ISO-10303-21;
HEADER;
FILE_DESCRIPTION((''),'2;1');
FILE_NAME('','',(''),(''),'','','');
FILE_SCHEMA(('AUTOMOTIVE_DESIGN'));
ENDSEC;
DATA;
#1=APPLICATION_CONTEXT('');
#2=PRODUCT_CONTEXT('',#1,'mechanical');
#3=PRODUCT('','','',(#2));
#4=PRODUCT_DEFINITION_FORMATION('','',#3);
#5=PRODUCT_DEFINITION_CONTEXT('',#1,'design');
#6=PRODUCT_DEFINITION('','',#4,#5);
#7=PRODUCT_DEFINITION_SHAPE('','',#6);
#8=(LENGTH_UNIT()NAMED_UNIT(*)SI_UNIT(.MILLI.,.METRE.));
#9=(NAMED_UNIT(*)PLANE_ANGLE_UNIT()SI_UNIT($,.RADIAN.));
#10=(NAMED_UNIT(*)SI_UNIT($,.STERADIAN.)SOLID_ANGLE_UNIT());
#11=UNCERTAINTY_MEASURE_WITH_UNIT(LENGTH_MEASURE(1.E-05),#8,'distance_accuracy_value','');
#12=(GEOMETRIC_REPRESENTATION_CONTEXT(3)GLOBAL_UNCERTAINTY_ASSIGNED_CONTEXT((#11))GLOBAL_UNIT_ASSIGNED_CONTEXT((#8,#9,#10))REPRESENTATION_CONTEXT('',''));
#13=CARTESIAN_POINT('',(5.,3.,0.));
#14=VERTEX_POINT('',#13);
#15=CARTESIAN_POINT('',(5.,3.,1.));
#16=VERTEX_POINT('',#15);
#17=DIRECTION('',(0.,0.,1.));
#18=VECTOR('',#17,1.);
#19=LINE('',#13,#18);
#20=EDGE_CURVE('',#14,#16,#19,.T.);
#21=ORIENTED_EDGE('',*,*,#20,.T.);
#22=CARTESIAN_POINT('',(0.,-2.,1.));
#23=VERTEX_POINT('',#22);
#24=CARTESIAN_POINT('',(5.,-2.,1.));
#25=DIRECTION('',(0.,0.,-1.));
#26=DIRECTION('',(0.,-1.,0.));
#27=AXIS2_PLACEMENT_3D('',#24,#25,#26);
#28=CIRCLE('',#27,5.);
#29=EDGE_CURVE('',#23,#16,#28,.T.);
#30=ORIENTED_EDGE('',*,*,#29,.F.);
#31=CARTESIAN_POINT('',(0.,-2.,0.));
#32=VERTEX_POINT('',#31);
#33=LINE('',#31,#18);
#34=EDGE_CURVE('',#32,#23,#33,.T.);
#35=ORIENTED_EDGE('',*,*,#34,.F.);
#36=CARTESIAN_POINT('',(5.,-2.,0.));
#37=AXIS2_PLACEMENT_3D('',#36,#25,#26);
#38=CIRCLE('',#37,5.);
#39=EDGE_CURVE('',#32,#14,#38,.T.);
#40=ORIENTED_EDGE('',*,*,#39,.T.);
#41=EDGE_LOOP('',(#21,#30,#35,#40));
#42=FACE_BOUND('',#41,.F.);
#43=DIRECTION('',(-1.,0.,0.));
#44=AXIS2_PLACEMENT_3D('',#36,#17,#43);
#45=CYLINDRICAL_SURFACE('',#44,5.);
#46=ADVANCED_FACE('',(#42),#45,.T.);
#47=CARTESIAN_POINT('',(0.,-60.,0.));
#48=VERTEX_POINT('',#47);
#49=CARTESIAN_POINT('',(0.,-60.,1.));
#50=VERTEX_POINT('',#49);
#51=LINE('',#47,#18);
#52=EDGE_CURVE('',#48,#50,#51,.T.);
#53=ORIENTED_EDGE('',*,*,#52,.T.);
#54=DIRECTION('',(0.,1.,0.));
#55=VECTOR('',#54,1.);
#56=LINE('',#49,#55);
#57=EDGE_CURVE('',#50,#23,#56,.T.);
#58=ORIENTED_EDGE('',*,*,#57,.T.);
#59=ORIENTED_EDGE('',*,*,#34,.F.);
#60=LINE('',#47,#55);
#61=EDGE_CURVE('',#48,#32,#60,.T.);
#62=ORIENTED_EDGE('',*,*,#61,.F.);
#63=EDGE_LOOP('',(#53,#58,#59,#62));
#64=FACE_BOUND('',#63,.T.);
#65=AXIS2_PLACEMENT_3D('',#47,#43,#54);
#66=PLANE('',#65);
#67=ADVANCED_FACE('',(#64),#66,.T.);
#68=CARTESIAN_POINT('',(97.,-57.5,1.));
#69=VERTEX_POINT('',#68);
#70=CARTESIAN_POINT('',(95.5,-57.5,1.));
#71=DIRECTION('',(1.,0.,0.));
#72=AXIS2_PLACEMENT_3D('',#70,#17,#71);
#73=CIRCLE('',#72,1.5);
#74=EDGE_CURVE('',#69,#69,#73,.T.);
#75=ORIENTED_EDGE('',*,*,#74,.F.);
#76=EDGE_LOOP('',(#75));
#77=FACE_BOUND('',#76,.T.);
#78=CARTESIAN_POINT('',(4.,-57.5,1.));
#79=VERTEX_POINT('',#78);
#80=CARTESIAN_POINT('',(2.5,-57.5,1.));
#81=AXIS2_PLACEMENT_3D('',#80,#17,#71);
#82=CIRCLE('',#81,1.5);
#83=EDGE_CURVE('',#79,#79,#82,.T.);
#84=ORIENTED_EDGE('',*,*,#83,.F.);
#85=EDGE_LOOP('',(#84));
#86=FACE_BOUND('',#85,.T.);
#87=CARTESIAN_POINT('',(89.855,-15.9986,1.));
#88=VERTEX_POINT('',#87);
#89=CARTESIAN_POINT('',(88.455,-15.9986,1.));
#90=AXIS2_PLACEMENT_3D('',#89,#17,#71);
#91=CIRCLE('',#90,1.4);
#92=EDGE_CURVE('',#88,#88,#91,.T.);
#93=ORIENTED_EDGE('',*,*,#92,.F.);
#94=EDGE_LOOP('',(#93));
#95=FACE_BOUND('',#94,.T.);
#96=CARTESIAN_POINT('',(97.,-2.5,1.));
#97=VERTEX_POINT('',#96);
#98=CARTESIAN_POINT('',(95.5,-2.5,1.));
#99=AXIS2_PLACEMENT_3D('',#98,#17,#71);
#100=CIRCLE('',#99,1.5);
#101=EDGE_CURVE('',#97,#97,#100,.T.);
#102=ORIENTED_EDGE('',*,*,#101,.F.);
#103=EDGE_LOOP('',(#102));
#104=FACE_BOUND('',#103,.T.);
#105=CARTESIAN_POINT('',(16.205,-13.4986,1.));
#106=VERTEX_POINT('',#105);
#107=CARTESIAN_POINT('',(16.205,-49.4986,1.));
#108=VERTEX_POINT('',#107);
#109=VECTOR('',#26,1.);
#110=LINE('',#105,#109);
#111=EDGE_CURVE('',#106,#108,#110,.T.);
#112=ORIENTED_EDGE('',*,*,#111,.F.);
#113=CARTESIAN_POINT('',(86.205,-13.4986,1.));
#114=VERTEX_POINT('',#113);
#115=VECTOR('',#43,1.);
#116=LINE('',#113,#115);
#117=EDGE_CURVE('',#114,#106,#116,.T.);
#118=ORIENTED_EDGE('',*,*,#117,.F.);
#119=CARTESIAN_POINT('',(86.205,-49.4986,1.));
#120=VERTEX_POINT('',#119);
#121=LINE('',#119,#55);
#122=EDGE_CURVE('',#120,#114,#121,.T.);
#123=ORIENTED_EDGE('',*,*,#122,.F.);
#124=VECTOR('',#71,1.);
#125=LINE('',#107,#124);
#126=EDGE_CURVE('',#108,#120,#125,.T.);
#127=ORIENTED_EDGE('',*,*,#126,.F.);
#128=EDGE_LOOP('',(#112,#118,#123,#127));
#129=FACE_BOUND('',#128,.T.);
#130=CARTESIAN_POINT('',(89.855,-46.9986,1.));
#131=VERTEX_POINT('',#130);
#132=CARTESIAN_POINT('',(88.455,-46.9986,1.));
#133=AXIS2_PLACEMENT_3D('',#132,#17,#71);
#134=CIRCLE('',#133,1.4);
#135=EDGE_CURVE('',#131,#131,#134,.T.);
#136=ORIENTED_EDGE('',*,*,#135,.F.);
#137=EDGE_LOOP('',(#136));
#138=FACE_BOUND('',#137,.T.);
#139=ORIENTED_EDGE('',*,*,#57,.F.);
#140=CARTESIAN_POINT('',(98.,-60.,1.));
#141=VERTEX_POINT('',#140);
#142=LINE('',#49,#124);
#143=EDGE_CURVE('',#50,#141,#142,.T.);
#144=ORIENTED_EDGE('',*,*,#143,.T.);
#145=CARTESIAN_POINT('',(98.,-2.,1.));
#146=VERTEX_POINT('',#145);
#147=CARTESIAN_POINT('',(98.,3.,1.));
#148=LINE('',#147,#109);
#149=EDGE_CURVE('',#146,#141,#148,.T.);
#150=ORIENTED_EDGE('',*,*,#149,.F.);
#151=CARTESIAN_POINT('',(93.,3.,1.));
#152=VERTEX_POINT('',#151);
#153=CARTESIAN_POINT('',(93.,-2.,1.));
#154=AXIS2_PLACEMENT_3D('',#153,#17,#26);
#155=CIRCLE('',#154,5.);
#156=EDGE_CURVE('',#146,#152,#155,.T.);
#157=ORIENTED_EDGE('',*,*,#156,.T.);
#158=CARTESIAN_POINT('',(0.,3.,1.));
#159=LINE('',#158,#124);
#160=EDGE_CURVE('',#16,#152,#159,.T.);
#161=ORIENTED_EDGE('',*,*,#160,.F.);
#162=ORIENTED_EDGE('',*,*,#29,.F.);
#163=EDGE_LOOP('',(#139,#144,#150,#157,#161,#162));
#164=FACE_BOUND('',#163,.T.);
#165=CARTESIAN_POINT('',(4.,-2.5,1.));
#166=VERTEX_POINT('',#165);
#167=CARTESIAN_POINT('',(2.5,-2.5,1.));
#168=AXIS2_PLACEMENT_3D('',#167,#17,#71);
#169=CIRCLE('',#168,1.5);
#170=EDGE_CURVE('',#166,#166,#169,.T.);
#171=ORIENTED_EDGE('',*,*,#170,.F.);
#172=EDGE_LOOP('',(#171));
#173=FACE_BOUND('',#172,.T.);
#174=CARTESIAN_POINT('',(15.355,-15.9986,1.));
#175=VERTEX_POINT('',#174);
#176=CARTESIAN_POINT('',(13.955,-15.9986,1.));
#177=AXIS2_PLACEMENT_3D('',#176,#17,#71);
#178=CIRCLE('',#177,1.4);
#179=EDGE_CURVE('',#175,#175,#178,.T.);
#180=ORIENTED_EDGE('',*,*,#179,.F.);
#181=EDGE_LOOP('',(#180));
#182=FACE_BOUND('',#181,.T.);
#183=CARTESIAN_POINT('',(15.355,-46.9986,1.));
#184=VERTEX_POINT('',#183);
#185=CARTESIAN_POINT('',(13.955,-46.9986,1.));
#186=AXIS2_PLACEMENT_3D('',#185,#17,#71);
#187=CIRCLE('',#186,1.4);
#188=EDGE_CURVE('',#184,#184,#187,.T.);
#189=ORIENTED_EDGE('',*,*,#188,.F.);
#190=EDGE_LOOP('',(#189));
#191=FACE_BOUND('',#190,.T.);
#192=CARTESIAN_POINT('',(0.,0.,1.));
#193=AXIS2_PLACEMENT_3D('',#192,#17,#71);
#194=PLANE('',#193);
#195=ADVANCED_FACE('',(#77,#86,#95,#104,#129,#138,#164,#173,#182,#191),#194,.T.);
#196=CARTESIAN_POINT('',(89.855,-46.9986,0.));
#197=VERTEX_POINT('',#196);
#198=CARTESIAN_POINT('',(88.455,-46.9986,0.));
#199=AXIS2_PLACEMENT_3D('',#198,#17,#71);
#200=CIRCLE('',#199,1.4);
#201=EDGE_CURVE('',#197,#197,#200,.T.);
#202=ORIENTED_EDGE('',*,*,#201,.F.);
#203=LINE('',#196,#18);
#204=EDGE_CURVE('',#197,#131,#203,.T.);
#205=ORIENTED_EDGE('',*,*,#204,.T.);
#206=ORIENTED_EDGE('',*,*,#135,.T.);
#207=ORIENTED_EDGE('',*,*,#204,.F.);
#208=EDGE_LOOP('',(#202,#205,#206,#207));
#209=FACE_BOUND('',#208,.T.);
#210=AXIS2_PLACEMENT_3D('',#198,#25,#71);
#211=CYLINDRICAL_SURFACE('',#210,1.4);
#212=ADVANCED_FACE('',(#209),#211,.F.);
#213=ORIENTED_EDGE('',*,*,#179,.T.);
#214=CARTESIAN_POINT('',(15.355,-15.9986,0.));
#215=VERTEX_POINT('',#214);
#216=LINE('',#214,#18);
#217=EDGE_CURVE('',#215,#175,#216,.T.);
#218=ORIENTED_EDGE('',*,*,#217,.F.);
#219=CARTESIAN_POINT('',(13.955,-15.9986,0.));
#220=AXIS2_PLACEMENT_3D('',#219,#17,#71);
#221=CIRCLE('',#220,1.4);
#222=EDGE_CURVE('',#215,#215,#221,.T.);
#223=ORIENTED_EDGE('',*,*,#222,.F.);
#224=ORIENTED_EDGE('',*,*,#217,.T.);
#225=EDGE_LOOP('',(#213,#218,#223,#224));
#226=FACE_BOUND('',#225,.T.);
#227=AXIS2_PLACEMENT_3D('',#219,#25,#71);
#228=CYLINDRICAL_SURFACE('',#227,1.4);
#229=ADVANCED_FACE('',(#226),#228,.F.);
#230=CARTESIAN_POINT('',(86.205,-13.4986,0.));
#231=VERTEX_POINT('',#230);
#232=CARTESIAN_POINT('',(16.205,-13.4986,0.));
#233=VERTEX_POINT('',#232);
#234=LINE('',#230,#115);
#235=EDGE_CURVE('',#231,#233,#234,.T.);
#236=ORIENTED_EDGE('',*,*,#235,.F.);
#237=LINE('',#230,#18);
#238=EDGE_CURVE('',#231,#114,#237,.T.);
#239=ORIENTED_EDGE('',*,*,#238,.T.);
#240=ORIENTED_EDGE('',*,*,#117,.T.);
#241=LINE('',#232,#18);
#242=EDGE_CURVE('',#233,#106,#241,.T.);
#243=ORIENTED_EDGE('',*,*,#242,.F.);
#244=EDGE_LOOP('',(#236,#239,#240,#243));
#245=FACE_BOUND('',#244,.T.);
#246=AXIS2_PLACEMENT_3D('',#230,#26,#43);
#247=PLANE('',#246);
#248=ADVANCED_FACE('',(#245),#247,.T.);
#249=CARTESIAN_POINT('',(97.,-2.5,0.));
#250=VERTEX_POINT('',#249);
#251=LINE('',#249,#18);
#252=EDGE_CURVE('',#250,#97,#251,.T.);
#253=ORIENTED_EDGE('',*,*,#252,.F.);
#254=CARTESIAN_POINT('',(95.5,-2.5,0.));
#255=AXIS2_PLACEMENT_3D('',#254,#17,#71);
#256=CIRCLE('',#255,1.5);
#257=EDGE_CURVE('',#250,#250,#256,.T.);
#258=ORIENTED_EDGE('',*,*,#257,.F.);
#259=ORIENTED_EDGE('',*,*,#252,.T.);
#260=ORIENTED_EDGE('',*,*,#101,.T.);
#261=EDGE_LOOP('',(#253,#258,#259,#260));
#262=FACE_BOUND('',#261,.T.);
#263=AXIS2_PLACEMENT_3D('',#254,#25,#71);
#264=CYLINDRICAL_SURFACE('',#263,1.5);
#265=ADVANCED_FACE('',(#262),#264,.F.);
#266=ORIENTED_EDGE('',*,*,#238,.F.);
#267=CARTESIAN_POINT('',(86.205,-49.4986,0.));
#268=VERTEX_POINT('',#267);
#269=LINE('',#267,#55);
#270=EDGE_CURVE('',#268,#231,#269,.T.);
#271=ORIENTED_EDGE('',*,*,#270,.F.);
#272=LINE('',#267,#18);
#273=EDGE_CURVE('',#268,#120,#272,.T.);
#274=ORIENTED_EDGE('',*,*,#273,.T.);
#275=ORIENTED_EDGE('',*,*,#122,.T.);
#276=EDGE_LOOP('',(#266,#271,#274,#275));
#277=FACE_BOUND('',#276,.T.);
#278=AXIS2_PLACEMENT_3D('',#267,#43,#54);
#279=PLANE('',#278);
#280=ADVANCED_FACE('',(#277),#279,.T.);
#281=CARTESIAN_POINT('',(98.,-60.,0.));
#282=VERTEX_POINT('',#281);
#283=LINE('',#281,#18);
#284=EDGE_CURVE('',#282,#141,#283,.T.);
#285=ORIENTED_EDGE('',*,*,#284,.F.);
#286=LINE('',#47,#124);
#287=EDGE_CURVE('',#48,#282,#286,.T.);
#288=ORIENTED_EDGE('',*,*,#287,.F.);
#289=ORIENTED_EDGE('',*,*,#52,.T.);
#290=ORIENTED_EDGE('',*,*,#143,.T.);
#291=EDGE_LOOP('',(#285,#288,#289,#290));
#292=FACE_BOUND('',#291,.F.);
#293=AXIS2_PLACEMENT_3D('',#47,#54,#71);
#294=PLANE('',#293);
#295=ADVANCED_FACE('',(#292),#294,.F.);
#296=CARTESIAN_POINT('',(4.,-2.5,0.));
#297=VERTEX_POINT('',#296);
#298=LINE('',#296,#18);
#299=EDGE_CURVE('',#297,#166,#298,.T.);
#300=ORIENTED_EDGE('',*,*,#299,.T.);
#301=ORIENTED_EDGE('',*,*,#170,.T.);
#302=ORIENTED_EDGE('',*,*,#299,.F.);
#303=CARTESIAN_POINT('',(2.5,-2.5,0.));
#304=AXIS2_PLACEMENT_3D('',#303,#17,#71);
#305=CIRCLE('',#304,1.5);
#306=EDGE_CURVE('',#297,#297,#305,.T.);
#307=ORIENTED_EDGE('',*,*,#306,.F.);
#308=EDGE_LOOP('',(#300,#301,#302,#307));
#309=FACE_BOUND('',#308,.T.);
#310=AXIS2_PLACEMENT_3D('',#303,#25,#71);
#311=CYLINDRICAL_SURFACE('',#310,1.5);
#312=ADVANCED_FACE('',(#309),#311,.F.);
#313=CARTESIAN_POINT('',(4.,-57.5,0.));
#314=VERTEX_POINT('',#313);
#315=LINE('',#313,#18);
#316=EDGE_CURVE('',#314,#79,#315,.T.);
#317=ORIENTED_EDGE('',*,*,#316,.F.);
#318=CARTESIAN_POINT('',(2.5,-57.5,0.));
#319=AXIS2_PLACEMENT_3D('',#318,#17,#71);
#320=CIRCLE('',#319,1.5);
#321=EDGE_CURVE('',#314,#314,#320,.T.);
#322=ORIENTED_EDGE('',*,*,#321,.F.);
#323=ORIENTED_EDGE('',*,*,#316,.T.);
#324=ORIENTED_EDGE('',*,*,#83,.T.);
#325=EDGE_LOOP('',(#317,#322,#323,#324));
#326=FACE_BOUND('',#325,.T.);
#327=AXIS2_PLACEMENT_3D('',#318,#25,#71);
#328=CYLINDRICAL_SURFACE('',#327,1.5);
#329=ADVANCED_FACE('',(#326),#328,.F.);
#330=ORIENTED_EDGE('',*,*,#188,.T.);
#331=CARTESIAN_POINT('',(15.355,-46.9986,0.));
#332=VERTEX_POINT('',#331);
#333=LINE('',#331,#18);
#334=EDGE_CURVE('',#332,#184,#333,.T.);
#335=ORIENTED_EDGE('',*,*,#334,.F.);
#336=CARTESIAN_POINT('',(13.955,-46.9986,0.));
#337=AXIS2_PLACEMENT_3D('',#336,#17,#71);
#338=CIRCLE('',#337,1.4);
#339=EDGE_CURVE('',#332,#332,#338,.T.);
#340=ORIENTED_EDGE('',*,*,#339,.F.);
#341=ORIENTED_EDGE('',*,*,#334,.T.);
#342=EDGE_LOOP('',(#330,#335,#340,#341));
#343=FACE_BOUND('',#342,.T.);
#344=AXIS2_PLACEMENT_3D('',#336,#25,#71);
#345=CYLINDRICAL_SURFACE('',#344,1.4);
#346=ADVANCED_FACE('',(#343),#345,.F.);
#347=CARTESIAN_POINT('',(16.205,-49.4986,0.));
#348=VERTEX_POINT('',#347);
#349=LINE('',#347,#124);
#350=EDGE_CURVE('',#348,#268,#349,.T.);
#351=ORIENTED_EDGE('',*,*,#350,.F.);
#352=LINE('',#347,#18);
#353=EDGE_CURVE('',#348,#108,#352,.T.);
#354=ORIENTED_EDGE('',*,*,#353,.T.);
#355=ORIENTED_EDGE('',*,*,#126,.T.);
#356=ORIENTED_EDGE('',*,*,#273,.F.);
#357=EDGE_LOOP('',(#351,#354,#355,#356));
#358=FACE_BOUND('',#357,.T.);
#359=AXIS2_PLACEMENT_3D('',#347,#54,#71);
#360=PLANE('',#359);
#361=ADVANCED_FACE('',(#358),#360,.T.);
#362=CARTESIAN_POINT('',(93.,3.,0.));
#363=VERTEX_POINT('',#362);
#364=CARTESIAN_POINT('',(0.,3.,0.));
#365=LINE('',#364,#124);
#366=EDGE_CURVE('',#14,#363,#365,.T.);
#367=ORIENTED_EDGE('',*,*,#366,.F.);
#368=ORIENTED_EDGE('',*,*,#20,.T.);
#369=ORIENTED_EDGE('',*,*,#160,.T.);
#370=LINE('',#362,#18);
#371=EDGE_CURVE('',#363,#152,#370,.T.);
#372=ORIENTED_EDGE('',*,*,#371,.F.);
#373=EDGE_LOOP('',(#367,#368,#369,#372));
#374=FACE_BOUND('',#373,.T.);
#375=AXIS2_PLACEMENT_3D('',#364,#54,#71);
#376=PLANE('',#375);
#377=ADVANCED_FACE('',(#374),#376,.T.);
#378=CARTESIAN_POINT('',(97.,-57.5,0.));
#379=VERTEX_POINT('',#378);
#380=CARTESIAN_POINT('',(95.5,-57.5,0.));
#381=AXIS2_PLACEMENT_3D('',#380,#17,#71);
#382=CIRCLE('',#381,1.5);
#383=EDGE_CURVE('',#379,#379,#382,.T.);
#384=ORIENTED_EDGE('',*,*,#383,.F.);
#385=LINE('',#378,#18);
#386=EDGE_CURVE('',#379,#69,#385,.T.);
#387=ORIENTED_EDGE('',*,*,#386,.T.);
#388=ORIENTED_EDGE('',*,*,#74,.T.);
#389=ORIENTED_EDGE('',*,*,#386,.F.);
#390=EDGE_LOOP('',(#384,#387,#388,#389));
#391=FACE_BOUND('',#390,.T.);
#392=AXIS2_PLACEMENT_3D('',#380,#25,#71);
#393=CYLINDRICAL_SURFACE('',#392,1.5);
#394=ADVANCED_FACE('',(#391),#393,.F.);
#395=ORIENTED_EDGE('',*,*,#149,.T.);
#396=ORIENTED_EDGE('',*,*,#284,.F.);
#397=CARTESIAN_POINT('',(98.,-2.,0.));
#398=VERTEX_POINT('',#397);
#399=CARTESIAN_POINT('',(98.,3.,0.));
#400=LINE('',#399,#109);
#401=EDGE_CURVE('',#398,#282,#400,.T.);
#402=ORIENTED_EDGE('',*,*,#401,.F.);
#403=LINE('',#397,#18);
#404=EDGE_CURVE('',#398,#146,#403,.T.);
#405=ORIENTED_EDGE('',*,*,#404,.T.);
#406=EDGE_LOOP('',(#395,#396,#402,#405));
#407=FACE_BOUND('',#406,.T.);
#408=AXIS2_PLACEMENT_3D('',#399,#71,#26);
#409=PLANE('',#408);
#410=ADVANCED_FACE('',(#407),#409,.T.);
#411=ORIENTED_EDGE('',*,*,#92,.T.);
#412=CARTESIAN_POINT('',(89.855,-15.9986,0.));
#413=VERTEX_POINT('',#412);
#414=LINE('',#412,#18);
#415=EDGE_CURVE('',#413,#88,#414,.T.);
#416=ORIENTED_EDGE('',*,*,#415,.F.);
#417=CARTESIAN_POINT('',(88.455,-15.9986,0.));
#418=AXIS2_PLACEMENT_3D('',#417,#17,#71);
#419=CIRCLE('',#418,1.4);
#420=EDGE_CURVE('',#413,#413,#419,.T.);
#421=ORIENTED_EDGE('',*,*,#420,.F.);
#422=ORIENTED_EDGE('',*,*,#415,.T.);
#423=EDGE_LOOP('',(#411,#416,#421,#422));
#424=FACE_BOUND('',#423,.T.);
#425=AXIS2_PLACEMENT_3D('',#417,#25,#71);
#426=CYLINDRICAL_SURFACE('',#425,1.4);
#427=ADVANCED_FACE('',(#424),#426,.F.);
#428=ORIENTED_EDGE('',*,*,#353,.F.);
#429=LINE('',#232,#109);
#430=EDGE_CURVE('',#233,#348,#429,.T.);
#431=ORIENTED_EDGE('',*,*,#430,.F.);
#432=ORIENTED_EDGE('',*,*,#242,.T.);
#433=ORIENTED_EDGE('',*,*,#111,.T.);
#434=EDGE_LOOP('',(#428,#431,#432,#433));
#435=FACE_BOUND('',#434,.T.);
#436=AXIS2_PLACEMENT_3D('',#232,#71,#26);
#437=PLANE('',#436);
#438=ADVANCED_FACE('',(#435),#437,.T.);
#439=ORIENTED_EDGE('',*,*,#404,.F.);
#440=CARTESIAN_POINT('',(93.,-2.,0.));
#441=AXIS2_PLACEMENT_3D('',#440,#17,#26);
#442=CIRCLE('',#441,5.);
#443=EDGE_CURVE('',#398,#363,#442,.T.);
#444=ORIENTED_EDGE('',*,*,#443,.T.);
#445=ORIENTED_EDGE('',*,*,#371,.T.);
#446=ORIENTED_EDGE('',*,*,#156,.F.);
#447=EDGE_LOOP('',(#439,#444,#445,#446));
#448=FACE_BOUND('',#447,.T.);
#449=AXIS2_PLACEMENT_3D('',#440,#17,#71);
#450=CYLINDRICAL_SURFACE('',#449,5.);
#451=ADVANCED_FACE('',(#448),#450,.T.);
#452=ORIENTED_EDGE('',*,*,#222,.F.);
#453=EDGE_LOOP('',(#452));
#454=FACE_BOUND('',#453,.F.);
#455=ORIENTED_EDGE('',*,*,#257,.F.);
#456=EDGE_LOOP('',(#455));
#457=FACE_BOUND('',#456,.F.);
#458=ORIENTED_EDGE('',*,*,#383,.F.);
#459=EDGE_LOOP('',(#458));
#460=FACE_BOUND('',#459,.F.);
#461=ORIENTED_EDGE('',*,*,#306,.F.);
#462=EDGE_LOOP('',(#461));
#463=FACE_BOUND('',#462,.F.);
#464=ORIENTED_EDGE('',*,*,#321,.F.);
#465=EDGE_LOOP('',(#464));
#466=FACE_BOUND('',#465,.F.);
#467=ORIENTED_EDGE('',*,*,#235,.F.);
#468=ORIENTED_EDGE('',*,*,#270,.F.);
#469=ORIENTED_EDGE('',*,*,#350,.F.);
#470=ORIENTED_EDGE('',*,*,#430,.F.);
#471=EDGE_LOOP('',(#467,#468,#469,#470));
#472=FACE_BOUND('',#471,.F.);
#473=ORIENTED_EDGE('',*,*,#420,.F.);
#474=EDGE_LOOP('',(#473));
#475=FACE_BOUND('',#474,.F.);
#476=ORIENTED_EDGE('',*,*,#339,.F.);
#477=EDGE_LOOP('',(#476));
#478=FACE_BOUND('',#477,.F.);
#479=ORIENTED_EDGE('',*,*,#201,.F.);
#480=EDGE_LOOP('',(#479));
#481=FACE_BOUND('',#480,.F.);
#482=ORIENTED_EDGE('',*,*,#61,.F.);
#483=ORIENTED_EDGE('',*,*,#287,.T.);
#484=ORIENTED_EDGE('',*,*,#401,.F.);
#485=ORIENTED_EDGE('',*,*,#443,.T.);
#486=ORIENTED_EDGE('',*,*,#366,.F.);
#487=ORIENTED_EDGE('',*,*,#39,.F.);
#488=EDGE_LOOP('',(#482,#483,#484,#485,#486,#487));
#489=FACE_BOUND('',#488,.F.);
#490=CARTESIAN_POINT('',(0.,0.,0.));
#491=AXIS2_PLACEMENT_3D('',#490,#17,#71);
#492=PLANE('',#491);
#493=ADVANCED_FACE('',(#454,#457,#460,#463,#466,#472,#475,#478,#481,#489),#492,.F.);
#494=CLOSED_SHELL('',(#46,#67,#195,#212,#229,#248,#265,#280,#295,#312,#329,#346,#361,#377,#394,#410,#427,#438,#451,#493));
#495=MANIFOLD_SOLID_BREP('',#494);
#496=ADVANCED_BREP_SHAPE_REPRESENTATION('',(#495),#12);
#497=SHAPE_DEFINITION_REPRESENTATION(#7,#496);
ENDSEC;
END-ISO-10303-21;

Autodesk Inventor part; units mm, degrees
ref_plane "YZ Plane" through (0, 0, 0) normal (1, 0, 0) x (0, 1, 0)
ref_plane "XZ Plane" through (0, 0, 0) normal (0, 1, 0) x (-1, 0, 0)
ref_plane "XY Plane" through (0, 0, 0) normal (0, 0, 1) x (1, 0, 0)
ref_plane "Work Plane1" through (0, 0, 0) normal (0, 0, 1) x (1, 0, 0)
sketch "Sketch1" plane through (0, 0, 0) normal (0, 0, 1) x (1, 0, 0)
  circle A0 centre (2.5, -2.5) radius 1.5 projected
  circle A1 centre (95.5, -57.5) radius 1.5 projected
  circle A2 centre (95.5, -2.5) radius 1.5 projected
  circle A3 centre (2.5, -57.5) radius 1.5 projected
  line L0 (50.7939, -5.85) -> (93.3881, -5.85) projected
  line L1 (93.3881, -5.85) -> (93.3881, -53.8601) projected
  line L2 (93.3881, -53.8601) -> (4, -53.8601) projected
  line L3 (4, -53.8601) -> (4, -5.85) projected
  line L4 (4, -5.85) -> (5.9071, -5.85) projected
  line L5 (5.9071, -5.85) -> (5.9071, 0) projected
  line L6 (5.9071, 0) -> (50.7939, 0) projected
  line L7 (50.7939, 0) -> (50.7939, -5.85) projected
  line L8 (98, 3) -> (98, -60) projected
  line L9 (0, 3) -> (98, 3) projected
  line L10 (0, -60) -> (0, 3) projected
  line L11 (0, -60) -> (98, -60) projected
  line L12 (16.205, -49.4986) -> (86.205, -49.4986)
  line L13 (86.205, -49.4986) -> (86.205, -13.4986)
  line L14 (86.205, -13.4986) -> (16.205, -13.4986)
  line L15 (16.205, -13.4986) -> (16.205, -49.4986)
  line L16 (88.455, -46.9986) -> (13.955, -46.9986) construction
  line L17 (13.955, -46.9986) -> (13.955, -15.9986) construction
  line L18 (13.955, -15.9986) -> (88.455, -15.9986) construction
  line L19 (88.455, -15.9986) -> (88.455, -46.9986) construction
  line L20 (88.455, -46.9986) -> (13.955, -15.9986) construction
  line L21 (13.955, -46.9986) -> (88.455, -15.9986) construction
  circle A4 centre (13.955, -15.9986) radius 1.4
  circle A5 centre (13.955, -46.9986) radius 1.4
  circle A6 centre (88.455, -15.9986) radius 1.4 construction
  circle A7 centre (88.455, -46.9986) radius 1.4
  circle A8 centre (88.455, -15.9986) radius 1.4
  point P0 (0, 0)
  point P1 (51.205, -31.4986)
  dimension "d0" = 70
  dimension "d1" = 36
  dimension "d2" = 74.5
  dimension "d3" = 31
  dimension "d4" = 2.8
  dimension "d5" = 2.8
  dimension "d6" = 2.8
  dimension "d7" = 2.8
extrude "Extrusion1" add sketch "Sketch1" along normal blind 1 contours L0 L1 L2 L3 L4 L5 L6 L7 | L8 L11 L10 L9
fillet "Fillet1" radius 5 2 edges at (98, 3, 0.5) (0, 3, 0.5)
sketch "Sketch2" plane through (0, 0, 1) normal (0, 0, 1) x (1, 0, 0)
  arc A0 (5, 3) -> (0, -2) centre (5, -2) ccw projected
  line L0 (0, -2) -> (0, -60) projected
  line L1 (0, -60) -> (98, -60) projected
  line L2 (98, -60) -> (98, -2) projected
  arc A1 (98, -2) -> (93, 3) centre (93, -2) ccw projected
  line L3 (93, 3) -> (5, 3) projected
  line L4 (16.205, -49.4986) -> (16.205, -13.4986) projected
  line L5 (16.205, -13.4986) -> (86.205, -13.4986) projected
  line L6 (86.205, -13.4986) -> (86.205, -49.4986) projected
  line L7 (86.205, -49.4986) -> (16.205, -49.4986) projected
  circle A2 centre (88.455, -15.9986) radius 1.4 projected
  circle A3 centre (88.455, -46.9986) radius 1.4 projected
  circle A4 centre (13.955, -46.9986) radius 1.4 projected
  circle A5 centre (13.955, -15.9986) radius 1.4 projected
  circle A6 centre (2.5, -57.5) radius 1.5 projected
  circle A7 centre (95.5, -2.5) radius 1.5 projected
  circle A8 centre (95.5, -57.5) radius 1.5 projected
  circle A9 centre (2.5, -2.5) radius 1.5 projected
  line L8 (9.9881, -3.9779) -> (87.4866, -3.9779) construction
  line L9 (87.4866, -3.9779) -> (87.4866, -10.4067) construction
  line L10 (87.4866, -10.4067) -> (9.9881, -10.4067) construction
  line L11 (9.9881, -10.4067) -> (9.9881, -3.9779) construction
  point P0 (0, 0)
properties part number "04_Adapterplate_Display"
